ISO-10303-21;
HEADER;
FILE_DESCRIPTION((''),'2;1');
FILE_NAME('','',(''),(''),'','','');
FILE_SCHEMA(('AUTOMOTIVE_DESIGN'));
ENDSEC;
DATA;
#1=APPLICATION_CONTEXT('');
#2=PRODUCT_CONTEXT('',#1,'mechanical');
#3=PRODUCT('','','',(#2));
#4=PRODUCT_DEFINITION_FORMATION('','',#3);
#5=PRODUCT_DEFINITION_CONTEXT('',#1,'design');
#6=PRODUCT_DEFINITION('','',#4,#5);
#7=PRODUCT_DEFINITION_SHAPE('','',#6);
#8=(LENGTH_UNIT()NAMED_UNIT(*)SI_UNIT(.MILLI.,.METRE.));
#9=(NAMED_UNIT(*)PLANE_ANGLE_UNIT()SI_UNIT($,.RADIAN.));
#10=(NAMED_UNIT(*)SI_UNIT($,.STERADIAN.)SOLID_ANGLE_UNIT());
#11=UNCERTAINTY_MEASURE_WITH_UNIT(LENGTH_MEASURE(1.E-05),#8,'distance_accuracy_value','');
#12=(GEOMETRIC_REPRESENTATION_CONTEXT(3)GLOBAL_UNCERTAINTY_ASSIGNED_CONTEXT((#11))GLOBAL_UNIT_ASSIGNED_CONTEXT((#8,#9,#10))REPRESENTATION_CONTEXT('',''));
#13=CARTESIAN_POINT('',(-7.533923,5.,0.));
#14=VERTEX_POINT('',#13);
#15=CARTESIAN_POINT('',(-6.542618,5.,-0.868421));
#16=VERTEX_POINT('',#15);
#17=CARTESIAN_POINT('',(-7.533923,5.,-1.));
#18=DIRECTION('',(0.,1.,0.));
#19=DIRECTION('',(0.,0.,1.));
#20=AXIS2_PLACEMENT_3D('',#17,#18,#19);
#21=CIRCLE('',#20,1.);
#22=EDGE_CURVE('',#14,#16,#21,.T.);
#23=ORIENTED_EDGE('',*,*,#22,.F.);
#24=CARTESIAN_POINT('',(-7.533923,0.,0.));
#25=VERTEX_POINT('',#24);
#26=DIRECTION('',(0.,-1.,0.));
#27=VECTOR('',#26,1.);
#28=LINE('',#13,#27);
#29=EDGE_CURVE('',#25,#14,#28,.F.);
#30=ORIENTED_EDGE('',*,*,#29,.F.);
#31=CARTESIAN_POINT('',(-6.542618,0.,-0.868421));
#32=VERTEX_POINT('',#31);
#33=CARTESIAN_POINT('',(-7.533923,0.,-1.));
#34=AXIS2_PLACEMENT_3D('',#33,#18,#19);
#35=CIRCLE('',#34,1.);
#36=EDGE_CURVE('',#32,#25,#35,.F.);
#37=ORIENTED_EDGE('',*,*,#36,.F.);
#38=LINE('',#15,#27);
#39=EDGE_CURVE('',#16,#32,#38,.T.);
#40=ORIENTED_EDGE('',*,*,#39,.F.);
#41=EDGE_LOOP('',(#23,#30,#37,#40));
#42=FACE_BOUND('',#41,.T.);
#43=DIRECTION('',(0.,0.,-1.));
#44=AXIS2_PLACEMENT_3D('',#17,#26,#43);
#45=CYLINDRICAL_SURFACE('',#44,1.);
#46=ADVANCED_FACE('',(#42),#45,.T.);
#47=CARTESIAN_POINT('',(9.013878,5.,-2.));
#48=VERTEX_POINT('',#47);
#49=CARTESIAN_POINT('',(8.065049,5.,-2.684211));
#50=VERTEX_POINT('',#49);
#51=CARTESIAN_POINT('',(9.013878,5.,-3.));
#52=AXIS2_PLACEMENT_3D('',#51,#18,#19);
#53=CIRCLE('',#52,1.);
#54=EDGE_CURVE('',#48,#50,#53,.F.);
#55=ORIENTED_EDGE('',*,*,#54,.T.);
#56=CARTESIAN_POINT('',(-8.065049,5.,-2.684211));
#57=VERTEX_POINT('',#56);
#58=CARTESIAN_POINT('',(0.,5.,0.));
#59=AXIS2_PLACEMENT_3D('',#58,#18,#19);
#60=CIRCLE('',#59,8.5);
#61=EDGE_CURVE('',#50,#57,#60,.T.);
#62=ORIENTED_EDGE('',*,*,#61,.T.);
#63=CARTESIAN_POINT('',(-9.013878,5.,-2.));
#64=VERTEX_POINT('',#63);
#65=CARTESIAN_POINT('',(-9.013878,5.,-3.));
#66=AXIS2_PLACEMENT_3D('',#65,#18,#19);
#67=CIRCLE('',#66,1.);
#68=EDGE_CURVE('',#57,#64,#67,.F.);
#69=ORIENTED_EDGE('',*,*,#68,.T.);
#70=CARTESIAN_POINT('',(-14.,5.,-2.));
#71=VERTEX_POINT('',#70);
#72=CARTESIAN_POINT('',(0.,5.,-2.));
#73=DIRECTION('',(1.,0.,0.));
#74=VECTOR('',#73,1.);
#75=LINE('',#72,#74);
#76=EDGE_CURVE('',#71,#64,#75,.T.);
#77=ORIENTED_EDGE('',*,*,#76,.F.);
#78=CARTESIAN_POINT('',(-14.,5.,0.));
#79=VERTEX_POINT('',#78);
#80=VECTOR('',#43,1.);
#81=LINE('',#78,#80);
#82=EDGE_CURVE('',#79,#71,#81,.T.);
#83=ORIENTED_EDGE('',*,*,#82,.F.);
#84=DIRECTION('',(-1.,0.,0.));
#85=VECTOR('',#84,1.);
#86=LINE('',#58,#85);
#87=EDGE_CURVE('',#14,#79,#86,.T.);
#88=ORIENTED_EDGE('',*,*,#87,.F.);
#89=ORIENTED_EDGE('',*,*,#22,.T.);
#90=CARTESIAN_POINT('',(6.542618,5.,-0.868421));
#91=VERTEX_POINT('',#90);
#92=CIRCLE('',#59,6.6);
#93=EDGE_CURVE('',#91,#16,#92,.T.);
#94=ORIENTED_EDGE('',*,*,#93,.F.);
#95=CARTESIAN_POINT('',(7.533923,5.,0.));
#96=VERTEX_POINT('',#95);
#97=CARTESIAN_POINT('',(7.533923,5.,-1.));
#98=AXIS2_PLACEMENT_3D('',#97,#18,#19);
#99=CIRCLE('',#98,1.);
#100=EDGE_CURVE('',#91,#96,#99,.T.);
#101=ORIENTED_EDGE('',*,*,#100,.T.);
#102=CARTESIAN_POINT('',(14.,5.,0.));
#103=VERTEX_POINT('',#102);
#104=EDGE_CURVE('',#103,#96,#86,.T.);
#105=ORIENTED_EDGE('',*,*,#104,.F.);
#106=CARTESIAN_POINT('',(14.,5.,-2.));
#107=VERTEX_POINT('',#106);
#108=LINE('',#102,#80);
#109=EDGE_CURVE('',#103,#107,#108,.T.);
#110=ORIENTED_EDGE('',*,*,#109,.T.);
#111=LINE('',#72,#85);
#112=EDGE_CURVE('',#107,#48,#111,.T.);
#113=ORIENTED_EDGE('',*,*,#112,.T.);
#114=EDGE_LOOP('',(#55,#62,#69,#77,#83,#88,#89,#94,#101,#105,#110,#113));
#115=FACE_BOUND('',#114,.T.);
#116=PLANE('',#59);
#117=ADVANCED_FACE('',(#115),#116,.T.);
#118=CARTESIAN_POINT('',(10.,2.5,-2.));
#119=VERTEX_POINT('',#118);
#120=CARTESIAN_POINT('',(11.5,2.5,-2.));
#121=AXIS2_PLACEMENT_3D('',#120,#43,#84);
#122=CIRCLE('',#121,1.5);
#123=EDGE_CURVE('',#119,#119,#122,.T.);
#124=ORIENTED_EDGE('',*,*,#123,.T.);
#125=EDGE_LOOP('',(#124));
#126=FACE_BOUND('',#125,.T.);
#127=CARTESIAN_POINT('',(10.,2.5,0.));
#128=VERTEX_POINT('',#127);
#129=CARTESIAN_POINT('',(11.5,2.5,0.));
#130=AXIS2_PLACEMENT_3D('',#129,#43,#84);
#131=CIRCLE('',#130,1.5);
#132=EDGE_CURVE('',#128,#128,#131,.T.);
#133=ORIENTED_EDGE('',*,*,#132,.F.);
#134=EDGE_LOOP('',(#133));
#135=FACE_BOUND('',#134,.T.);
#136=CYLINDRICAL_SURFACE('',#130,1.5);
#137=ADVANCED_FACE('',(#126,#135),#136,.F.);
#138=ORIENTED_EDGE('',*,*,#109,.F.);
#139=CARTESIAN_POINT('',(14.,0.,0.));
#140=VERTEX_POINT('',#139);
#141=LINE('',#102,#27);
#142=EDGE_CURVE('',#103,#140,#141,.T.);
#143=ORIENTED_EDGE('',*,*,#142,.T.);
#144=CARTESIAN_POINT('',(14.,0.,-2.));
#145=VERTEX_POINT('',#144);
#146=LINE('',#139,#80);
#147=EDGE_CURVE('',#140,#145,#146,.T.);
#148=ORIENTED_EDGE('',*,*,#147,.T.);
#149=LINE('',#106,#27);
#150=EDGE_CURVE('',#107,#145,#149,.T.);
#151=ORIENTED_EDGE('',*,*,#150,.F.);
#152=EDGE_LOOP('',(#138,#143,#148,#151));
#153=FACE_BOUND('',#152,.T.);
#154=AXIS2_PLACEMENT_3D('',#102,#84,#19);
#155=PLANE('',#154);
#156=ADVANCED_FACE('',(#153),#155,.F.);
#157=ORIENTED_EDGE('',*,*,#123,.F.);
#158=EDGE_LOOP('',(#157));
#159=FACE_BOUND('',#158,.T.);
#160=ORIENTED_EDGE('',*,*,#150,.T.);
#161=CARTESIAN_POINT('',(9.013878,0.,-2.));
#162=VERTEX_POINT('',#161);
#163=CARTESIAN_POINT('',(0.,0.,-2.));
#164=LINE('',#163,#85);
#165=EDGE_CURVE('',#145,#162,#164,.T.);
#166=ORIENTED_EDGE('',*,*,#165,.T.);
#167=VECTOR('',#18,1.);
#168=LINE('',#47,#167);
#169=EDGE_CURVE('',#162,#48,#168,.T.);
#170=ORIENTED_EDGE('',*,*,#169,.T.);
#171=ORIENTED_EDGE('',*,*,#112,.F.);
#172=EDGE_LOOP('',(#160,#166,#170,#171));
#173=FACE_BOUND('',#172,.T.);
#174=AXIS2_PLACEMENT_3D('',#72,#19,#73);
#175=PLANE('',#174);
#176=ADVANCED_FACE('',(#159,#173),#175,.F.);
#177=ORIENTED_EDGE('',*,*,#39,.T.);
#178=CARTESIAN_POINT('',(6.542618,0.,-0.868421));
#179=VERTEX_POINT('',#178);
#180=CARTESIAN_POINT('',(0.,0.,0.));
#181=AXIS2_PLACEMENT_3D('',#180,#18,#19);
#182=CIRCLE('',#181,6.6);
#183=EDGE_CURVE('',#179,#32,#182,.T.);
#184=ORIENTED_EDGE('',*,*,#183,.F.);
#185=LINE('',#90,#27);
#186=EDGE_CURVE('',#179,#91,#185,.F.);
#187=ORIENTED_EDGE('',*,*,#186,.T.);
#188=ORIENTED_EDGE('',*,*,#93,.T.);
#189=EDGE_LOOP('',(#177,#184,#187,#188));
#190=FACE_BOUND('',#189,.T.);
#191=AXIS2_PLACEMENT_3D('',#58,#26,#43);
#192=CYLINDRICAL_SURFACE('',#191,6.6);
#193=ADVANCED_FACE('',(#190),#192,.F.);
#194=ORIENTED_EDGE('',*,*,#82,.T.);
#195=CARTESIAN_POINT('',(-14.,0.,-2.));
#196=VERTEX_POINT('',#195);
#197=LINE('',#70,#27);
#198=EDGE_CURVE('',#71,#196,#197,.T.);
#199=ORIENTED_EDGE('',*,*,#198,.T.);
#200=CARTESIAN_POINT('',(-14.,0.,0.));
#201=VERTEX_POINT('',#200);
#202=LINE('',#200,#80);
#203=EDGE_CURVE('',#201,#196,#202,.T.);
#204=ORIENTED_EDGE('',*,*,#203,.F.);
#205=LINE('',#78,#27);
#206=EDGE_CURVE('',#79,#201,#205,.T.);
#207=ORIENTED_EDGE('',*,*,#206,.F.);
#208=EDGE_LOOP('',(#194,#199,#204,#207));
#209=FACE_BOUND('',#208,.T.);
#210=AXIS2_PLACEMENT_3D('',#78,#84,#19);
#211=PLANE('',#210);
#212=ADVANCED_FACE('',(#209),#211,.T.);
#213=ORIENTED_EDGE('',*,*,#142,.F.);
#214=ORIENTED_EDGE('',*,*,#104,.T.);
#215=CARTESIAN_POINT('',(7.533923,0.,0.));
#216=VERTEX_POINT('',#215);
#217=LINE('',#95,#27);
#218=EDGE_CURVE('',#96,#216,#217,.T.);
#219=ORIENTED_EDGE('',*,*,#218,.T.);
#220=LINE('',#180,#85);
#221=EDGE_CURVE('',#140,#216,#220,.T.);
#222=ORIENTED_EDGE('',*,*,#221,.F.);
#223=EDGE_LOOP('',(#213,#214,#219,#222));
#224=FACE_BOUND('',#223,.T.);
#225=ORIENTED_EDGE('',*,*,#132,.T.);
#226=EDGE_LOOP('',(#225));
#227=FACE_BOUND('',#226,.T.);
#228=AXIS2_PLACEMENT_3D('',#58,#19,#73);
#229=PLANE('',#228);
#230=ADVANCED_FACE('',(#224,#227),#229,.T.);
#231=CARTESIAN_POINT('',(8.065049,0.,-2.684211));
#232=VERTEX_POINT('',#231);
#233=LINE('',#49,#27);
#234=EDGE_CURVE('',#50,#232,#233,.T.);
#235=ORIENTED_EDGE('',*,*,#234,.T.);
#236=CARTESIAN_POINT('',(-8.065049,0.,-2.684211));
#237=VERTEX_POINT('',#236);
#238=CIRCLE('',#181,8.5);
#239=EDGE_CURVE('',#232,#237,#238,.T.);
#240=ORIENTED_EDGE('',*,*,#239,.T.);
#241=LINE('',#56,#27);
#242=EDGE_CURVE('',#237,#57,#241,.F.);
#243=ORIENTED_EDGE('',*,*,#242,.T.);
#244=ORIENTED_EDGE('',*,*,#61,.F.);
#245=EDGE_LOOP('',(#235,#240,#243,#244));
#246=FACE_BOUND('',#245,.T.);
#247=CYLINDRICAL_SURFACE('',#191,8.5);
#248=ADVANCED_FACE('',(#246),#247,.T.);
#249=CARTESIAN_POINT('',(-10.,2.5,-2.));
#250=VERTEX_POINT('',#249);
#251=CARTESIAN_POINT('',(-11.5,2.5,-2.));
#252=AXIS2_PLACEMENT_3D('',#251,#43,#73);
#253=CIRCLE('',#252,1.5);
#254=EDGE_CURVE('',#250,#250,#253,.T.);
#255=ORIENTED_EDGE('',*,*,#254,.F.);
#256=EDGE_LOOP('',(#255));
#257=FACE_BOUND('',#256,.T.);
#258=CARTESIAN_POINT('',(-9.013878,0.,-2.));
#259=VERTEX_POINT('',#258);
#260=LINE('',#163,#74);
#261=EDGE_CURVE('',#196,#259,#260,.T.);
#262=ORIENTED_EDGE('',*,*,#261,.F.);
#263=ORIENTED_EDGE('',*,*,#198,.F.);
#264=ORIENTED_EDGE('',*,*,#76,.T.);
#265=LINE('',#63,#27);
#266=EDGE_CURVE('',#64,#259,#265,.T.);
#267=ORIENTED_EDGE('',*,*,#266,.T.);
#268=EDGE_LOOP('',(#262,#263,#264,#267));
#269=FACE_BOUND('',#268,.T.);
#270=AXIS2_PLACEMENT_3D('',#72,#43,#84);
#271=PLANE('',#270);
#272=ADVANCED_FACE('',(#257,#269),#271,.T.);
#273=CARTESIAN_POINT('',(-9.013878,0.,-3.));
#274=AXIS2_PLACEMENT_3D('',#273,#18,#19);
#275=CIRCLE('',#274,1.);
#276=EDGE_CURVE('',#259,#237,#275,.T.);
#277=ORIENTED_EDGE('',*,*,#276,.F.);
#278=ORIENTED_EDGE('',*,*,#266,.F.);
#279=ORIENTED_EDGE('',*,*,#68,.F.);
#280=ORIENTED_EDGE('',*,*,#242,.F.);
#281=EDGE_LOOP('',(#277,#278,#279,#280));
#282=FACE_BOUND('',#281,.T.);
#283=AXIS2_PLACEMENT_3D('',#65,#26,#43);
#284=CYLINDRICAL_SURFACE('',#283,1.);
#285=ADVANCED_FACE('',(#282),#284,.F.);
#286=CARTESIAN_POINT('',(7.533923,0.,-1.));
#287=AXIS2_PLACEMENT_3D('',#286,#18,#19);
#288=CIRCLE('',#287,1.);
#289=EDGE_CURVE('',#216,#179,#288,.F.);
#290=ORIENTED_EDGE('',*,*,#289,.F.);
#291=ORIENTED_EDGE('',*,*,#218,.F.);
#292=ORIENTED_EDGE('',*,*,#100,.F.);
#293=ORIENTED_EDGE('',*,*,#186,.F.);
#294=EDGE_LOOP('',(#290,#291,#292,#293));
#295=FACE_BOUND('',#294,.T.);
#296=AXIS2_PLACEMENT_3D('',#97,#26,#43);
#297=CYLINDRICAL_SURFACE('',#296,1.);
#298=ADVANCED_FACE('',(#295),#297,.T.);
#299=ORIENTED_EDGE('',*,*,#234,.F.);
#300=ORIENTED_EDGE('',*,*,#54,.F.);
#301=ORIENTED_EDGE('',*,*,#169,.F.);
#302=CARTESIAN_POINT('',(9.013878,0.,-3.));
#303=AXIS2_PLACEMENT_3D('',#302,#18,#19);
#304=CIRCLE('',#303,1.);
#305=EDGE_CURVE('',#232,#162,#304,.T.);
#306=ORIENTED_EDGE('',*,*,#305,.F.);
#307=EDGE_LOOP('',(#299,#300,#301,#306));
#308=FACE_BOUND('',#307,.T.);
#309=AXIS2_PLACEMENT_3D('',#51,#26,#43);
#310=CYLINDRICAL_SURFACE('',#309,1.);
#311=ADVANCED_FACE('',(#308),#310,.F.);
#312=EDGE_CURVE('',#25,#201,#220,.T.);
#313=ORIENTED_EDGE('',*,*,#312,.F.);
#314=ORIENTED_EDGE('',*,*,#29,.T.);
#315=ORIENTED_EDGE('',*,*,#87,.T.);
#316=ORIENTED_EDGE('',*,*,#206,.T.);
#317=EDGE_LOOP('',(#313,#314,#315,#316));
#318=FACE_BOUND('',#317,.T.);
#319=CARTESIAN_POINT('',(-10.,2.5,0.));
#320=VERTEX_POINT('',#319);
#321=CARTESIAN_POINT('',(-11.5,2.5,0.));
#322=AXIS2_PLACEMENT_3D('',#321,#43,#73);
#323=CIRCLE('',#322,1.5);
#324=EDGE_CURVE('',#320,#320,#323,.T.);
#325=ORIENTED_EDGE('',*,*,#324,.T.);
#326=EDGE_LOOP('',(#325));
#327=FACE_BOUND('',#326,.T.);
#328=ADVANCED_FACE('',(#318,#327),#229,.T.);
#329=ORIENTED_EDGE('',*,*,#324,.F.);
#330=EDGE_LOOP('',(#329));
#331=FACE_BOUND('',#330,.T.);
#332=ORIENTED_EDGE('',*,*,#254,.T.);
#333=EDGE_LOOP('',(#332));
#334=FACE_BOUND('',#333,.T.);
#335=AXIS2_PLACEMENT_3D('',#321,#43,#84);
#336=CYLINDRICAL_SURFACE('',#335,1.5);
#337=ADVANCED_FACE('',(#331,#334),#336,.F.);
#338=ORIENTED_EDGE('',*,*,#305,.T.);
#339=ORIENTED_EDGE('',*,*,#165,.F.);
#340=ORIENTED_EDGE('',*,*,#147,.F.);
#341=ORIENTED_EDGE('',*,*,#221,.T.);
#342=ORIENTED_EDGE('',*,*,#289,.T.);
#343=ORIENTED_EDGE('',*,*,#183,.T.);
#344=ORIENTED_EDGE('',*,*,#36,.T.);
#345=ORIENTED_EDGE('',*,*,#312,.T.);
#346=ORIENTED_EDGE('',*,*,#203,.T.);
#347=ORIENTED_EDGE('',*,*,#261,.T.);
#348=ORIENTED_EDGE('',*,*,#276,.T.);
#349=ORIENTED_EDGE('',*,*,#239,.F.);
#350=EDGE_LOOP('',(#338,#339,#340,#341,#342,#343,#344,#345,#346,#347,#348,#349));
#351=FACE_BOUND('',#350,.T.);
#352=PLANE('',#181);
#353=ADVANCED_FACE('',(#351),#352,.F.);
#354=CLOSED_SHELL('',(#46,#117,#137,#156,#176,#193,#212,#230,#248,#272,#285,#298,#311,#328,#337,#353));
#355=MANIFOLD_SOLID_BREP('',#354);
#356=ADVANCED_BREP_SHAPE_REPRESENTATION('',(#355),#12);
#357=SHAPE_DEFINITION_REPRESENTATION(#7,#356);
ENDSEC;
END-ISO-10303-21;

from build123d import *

# Parameters (mm, degrees)
BOSS_EXTRUDE1_DEPTH = 5
SKETCH2_R           = 1.5
CUT_EXTRUDE1_DEPTH  = 17.22498074
FILLET1_R           = 1


with BuildPart() as part:
    # Sketch1 → Boss-Extrude1 (new body)
    with BuildSketch(Plane(origin=(0, 0, 0), x_dir=(1, 0, 0), z_dir=(0, 1, 0))):
        with BuildLine():
            Line((-14, 0), (-8.5, 0))
            Line((-8.5, 0), (-6.6, 0))
            ThreePointArc((-6.6, 0), (-4.666904756, 4.666904756), (0, 6.6))
            Line((0, 6.6), (0, 8.5))
            ThreePointArc((0, 8.5), (-5.25594901, 6.680194608), (-8.261355821, 2))
            Line((-8.261355821, 2), (-14, 2))
            Line((-14, 2), (-14, 0))
        make_face()
        with BuildLine():
            Line((0, 8.5), (0, 6.6))
            ThreePointArc((0, 6.6), (4.666904756, 4.666904756), (6.6, 0))
            Line((6.6, 0), (8.5, 0))
            Line((8.5, 0), (14, 0))
            Line((14, 0), (14, 2))
            Line((14, 2), (8.261355821, 2))
            ThreePointArc((8.261355821, 2), (5.25594901, 6.680194608), (0, 8.5))
        make_face()
    extrude(amount=BOSS_EXTRUDE1_DEPTH)

    # Sketch2 → Cut-Extrude1 (cut, through all)
    with BuildSketch(Plane(origin=(0, 0, -2), x_dir=(-1, 0, 0), z_dir=(0, 0, -1))):
        with Locations((-11.5, 2.5)):
            Circle(SKETCH2_R)
        with Locations(Location((11.5, 2.5, 0), (0, 0, 180))):
            Circle(SKETCH2_R)
    extrude(amount=-CUT_EXTRUDE1_DEPTH, mode=Mode.SUBTRACT)

    # Fillet1
    fillet1_edges = [part.edges().sort_by_distance(p)[0] for p in [
        (-6.6, 2.5, 0),
        (-8.261355821, 2.5, -2),
        (8.261355821, 2.5, -2),
        (6.6, 2.5, 0),
    ]]
    fillet(fillet1_edges, radius=FILLET1_R)


solid = part.part
